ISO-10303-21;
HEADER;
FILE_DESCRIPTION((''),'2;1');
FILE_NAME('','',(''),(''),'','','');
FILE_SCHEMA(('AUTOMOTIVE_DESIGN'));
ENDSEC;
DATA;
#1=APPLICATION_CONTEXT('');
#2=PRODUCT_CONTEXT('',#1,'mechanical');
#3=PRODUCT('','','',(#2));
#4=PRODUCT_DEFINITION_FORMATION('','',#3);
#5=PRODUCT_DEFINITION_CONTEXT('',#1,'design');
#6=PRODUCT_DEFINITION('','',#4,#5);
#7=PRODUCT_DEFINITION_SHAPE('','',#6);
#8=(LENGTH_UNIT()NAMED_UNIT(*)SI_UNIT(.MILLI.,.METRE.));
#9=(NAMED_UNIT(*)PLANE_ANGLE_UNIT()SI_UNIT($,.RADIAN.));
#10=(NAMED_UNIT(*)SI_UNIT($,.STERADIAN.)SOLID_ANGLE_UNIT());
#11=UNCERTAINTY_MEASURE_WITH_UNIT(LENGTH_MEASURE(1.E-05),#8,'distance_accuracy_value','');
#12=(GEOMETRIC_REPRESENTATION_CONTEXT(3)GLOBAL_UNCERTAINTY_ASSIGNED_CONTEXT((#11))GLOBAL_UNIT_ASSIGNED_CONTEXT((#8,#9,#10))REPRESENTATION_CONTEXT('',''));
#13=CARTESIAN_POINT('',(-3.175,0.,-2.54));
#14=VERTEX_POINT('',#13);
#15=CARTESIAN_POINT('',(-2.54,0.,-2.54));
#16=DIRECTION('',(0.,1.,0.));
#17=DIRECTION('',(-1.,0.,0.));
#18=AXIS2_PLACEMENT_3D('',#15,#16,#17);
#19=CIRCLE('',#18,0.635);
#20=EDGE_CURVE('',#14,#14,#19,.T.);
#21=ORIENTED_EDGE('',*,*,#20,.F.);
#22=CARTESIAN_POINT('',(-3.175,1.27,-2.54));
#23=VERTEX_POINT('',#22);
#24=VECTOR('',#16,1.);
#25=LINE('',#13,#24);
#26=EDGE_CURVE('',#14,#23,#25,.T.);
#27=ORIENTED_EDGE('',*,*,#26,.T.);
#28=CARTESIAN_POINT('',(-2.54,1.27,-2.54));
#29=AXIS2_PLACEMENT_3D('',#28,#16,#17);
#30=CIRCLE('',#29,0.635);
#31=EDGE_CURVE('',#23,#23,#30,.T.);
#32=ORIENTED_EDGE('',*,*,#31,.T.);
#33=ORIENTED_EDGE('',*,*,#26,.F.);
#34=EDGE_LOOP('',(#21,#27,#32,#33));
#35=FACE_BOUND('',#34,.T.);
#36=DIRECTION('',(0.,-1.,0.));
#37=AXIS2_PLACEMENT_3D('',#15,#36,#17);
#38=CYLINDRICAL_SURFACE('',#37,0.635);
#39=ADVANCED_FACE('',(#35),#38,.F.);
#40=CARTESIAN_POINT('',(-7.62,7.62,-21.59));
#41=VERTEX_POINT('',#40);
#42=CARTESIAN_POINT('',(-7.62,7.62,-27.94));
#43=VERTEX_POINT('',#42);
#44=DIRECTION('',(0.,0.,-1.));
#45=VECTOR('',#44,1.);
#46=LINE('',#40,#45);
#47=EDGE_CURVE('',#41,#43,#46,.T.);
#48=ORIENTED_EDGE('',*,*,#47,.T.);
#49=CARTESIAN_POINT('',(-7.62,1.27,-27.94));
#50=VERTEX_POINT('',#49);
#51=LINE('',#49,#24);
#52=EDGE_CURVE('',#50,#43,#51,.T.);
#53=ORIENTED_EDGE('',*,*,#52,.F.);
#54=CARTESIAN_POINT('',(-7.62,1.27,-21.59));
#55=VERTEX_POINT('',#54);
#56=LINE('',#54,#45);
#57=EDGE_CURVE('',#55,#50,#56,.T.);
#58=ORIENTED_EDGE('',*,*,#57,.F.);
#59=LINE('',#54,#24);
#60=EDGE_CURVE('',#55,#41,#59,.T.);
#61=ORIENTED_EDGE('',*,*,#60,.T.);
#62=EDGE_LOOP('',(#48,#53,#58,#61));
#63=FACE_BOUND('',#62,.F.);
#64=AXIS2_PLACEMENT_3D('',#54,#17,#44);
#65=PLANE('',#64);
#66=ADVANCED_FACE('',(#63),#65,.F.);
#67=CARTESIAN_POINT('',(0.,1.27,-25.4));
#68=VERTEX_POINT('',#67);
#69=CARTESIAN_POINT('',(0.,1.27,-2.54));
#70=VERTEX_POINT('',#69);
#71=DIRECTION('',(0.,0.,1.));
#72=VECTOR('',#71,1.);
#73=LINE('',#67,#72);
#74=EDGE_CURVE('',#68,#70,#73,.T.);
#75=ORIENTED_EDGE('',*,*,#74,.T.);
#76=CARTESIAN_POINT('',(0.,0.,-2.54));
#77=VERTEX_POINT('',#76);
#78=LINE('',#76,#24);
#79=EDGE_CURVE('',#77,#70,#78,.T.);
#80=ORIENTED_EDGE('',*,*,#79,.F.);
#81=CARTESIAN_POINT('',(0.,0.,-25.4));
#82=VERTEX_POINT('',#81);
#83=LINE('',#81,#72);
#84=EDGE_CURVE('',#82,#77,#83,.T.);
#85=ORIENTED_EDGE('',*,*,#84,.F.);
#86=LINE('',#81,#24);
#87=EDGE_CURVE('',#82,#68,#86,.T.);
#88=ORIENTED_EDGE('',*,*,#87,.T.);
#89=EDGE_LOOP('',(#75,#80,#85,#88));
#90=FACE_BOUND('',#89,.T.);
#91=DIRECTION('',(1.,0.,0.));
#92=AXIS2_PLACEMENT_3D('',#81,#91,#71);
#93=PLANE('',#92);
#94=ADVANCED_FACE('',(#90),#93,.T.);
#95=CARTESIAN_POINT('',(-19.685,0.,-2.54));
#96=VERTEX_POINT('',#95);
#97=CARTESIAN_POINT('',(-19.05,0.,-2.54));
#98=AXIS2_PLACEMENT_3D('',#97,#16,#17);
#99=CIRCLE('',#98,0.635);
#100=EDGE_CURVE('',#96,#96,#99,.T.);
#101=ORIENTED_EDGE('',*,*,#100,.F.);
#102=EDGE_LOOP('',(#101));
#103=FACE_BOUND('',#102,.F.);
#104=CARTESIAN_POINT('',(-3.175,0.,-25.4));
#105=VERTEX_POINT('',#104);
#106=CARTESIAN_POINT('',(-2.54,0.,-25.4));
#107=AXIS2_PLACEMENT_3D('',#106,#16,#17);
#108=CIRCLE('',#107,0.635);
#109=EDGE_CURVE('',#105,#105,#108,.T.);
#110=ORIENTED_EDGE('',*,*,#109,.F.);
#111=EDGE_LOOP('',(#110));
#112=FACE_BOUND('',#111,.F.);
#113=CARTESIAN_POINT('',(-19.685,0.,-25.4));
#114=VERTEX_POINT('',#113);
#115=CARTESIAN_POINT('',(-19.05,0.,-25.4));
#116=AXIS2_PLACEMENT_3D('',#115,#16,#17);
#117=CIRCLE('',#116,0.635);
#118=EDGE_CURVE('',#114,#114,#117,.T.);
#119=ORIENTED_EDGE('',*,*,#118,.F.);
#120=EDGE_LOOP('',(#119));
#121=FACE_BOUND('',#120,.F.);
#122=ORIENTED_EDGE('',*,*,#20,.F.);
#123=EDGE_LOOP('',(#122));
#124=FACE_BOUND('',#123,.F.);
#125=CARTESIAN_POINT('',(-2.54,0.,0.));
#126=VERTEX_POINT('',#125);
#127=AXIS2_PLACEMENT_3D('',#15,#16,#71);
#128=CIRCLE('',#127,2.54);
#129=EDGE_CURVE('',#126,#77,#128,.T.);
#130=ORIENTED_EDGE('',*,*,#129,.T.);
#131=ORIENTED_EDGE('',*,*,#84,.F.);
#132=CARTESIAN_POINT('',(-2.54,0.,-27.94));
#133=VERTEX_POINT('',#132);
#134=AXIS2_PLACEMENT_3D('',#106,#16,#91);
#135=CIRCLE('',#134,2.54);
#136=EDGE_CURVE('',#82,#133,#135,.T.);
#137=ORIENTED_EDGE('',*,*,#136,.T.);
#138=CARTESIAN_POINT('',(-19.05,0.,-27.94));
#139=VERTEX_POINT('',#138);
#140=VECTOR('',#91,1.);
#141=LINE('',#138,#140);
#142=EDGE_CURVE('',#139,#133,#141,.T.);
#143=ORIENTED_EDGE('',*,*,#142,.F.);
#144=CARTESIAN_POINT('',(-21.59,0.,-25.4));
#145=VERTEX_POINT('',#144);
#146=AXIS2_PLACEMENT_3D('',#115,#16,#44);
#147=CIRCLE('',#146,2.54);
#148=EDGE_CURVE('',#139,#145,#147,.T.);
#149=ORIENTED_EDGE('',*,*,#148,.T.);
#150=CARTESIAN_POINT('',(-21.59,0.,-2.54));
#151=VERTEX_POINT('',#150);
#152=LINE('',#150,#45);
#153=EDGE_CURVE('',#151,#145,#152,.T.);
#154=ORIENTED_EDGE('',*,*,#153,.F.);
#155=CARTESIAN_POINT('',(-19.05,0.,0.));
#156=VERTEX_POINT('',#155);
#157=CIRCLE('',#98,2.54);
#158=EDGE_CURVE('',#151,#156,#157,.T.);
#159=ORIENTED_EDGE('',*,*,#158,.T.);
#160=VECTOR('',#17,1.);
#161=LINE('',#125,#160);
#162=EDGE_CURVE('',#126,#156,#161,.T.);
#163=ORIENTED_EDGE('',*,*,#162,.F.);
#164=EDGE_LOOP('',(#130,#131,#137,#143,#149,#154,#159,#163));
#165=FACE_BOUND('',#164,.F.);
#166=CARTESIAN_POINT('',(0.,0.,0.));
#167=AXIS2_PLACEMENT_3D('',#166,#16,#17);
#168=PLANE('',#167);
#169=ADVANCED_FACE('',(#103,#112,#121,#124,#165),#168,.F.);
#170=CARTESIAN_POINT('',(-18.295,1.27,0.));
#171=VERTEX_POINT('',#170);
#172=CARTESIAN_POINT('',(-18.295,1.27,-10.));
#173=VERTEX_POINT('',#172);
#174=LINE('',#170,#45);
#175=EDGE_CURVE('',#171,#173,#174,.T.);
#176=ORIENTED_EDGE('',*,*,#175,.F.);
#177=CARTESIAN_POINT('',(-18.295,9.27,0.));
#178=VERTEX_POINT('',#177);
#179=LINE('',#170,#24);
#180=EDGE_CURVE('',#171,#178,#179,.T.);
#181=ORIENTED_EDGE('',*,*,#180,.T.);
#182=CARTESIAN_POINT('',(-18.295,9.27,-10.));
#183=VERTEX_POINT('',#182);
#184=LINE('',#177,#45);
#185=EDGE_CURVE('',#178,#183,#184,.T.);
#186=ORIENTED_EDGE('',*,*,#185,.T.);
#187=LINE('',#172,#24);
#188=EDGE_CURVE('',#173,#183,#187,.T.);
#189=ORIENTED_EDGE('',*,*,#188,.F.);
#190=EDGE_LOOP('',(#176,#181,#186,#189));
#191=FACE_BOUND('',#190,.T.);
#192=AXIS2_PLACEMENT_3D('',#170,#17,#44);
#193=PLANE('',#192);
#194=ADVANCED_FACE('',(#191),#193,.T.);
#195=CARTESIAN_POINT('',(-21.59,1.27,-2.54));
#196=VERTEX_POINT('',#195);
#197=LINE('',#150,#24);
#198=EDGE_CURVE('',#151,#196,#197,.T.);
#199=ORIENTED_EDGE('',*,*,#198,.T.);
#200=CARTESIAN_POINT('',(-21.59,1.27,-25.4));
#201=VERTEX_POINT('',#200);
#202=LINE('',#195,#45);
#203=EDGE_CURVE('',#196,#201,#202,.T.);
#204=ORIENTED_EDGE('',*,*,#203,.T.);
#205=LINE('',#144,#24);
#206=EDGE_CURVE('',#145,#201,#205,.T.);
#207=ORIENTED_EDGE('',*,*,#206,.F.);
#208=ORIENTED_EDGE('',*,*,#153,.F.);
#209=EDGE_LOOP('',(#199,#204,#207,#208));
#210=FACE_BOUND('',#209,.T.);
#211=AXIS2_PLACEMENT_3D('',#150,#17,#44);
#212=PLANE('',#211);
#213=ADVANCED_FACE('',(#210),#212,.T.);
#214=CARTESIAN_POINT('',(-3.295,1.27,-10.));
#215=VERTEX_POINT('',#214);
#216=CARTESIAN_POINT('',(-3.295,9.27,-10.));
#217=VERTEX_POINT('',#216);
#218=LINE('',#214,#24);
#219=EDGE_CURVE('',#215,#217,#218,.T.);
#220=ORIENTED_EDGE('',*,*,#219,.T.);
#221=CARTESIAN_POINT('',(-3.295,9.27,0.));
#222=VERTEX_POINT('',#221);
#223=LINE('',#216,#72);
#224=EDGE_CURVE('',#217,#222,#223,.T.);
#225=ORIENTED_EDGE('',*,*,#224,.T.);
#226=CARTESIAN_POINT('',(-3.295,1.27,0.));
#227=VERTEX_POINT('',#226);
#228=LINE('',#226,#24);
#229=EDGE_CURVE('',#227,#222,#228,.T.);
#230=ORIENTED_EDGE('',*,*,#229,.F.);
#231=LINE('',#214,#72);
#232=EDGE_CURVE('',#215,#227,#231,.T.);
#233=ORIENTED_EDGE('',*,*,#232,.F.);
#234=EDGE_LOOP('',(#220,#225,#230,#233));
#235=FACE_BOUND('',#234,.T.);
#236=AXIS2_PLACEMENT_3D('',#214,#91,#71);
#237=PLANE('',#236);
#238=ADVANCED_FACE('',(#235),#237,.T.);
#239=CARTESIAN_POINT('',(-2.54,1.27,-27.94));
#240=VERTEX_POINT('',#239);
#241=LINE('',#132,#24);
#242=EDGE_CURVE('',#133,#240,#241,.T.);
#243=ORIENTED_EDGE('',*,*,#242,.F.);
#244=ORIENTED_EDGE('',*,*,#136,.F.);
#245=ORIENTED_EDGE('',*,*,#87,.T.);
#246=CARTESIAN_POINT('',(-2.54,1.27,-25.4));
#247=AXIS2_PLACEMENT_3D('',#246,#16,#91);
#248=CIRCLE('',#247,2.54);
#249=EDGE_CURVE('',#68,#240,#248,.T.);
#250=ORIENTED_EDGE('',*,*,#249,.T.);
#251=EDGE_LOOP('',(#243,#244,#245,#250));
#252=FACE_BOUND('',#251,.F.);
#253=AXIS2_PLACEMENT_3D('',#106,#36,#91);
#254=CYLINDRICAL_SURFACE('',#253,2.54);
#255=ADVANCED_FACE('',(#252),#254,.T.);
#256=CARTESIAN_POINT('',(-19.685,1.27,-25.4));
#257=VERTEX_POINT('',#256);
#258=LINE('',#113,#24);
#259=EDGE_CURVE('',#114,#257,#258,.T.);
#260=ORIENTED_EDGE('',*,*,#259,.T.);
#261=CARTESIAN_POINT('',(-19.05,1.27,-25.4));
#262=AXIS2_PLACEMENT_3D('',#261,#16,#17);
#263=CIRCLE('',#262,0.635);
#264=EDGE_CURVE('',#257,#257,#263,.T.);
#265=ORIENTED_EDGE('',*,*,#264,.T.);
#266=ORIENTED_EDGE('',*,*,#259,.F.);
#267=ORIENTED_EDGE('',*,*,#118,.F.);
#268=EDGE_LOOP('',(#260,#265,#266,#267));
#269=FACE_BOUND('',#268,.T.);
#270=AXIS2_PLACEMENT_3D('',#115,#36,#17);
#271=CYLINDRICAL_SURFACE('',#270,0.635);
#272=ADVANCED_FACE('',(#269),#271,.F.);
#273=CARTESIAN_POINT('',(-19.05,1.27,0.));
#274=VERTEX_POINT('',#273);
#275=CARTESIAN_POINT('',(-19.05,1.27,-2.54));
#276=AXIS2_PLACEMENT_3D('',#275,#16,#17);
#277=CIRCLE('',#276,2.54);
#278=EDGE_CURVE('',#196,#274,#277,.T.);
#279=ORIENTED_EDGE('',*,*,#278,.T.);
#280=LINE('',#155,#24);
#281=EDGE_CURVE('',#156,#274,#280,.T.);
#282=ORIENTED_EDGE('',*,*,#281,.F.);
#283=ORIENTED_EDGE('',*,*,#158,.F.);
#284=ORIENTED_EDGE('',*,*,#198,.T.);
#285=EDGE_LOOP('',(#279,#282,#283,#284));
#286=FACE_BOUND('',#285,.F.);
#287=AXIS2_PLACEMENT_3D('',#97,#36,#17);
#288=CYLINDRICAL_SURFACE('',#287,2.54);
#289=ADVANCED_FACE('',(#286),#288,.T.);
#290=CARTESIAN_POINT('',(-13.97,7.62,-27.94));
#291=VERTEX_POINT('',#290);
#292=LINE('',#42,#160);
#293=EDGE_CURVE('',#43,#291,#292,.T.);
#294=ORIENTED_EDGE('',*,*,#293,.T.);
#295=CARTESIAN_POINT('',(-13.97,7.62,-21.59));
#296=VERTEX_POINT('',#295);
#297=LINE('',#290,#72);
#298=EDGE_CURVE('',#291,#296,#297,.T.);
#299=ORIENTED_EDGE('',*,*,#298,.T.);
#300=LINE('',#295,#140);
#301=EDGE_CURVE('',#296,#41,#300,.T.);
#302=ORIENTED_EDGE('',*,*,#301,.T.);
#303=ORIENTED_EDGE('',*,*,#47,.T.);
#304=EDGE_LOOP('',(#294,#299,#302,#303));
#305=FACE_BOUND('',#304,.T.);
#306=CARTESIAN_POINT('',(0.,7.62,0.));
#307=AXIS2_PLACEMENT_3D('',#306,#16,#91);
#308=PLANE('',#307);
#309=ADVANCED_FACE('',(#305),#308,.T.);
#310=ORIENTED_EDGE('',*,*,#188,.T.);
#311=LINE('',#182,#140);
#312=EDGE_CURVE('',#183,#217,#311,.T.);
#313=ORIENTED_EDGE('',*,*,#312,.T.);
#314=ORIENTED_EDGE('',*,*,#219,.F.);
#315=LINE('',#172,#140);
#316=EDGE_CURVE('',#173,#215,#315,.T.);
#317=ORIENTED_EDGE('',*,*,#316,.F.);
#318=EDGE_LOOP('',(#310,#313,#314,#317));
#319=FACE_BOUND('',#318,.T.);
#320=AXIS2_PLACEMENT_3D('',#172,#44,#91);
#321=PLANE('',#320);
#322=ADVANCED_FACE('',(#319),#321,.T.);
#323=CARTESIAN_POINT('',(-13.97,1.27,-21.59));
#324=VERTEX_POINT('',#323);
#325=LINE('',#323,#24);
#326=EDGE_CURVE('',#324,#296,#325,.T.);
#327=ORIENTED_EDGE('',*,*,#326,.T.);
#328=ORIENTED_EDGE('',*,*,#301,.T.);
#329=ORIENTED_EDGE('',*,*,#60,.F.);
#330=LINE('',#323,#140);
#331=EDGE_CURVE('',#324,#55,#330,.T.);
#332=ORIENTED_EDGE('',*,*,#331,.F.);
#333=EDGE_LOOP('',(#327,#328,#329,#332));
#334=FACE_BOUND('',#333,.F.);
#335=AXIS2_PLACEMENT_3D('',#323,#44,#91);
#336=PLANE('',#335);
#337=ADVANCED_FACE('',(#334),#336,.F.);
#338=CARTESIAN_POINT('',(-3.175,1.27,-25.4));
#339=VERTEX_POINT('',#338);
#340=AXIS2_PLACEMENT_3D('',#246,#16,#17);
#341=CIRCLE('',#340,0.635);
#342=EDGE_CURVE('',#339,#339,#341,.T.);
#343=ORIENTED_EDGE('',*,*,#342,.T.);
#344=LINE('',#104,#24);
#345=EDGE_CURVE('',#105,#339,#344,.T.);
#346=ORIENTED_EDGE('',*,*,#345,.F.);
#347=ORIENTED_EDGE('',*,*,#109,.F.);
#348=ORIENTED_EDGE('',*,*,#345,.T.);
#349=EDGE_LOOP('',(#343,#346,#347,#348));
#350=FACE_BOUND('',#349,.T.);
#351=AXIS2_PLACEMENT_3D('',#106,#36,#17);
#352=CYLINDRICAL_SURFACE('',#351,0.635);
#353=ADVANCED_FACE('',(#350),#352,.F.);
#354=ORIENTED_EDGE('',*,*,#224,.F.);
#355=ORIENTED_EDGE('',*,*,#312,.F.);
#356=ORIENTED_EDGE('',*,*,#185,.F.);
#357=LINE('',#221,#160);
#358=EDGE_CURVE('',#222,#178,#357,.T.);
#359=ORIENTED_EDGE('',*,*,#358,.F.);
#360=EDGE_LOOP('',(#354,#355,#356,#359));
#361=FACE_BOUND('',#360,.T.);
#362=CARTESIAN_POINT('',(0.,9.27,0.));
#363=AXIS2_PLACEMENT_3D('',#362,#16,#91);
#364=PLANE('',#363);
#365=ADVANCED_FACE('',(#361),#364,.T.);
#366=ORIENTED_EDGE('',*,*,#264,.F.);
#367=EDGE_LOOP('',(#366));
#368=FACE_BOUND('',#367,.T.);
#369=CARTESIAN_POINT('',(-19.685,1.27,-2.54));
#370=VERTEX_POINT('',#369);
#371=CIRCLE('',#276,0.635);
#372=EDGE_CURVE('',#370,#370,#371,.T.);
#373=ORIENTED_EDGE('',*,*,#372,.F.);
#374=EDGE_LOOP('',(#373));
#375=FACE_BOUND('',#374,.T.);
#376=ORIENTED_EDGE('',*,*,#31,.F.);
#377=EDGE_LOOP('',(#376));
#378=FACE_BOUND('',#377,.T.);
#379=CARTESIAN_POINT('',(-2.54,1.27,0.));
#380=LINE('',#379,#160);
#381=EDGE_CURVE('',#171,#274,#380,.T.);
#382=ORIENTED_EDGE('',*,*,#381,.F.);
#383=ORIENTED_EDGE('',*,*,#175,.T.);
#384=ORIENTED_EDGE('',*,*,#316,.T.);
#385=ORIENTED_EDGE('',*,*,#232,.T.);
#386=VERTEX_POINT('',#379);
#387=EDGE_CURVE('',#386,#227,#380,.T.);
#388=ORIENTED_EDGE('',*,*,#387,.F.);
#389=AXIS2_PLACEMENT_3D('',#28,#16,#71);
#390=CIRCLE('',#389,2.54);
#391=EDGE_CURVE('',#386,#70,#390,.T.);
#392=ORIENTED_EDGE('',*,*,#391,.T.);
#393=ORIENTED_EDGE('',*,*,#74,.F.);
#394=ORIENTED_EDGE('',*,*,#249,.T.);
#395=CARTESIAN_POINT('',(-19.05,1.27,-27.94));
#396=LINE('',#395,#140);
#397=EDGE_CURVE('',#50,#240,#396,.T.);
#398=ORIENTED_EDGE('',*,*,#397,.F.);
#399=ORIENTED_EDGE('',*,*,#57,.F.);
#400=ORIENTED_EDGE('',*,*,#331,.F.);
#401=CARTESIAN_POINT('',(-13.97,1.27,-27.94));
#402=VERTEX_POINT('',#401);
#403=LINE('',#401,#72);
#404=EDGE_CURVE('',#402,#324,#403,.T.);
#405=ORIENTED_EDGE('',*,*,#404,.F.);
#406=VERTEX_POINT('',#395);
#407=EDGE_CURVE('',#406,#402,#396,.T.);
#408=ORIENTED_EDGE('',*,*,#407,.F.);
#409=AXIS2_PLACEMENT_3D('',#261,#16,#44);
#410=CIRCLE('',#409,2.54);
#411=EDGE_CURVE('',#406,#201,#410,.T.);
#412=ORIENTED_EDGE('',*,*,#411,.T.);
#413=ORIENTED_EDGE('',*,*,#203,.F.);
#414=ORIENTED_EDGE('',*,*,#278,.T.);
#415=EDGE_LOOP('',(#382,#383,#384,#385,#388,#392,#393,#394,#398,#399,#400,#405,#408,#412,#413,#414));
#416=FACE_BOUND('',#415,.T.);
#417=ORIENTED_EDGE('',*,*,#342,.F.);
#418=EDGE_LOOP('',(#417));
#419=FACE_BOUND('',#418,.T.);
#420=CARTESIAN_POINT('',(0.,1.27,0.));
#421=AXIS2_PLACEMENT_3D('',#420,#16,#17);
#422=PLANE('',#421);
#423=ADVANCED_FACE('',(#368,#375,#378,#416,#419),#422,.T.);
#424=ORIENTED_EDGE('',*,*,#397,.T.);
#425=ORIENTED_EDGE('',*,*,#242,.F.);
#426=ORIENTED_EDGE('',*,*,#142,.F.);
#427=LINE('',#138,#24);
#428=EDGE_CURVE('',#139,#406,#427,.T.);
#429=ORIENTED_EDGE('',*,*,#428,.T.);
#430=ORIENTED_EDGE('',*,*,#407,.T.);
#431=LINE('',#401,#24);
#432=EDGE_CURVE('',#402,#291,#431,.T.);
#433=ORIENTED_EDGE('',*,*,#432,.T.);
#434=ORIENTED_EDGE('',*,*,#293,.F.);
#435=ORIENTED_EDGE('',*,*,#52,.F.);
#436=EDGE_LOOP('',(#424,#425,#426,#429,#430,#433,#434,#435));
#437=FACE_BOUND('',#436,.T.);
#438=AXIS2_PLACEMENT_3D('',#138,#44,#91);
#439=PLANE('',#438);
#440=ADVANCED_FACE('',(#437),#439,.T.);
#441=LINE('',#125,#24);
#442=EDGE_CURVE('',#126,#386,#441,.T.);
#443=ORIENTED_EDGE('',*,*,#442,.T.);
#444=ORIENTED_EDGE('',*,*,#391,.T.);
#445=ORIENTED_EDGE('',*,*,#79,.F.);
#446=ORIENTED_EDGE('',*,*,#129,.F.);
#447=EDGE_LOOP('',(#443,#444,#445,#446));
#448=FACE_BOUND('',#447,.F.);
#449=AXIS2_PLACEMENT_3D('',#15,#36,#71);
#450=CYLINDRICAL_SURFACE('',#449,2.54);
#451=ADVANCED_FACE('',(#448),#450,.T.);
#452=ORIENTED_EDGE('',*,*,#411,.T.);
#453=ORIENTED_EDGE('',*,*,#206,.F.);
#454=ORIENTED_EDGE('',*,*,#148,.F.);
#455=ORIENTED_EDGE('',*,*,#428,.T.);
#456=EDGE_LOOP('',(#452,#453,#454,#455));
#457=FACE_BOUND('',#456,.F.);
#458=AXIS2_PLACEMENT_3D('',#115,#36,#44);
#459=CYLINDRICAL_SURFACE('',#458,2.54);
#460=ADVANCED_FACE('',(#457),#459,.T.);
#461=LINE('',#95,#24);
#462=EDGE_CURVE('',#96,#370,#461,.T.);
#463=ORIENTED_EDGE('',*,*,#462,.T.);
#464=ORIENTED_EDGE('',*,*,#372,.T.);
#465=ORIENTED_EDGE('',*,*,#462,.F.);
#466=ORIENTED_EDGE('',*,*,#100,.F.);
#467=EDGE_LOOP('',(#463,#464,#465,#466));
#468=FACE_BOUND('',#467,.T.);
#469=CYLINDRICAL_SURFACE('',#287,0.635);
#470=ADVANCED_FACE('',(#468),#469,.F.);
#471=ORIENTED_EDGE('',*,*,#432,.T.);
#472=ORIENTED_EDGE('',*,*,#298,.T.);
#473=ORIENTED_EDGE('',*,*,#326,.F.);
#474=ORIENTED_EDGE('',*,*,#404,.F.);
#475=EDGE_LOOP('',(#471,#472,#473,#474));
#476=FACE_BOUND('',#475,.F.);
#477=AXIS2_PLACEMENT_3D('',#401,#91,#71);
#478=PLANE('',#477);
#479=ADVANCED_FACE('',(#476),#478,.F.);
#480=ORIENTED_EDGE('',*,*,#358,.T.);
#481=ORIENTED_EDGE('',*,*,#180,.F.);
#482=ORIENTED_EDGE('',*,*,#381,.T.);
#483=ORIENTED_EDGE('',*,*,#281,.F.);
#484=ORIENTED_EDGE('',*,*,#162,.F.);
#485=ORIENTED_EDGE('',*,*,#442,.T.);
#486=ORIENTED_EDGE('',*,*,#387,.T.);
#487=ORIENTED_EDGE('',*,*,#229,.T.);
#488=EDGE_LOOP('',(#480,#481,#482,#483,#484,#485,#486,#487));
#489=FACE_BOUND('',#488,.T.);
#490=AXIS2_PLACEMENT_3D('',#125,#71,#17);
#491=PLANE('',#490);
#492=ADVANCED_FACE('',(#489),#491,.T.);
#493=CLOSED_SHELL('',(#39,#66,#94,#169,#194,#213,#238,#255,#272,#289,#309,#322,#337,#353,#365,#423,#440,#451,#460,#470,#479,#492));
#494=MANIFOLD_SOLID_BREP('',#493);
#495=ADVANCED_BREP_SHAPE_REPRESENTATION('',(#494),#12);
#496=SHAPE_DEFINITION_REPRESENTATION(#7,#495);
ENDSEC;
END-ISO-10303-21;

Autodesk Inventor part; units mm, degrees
ref_plane "YZ Plane" through (0, 0, 0) normal (1, 0, 0) x (0, 1, 0)
ref_plane "XZ Plane" through (0, 0, 0) normal (0, 1, 0) x (-1, 0, 0)
ref_plane "XY Plane" through (0, 0, 0) normal (0, 0, 1) x (1, 0, 0)
sketch "Sketch1" plane through (0, 0, 0) normal (0, 1, 0) x (-1, 0, 0)
  line L0 (2.54, 0) -> (19.05, 0)
  line L1 (21.59, -2.54) -> (21.59, -25.4)
  line L2 (19.05, -27.94) -> (2.54, -27.94)
  line L3 (0, -25.4) -> (0, -2.54)
  arc A0 (21.59, -2.54) -> (19.05, 0) centre (19.05, -2.54) ccw
  arc A1 (2.54, 0) -> (0, -2.54) centre (2.54, -2.54) ccw
  arc A2 (0, -25.4) -> (2.54, -27.94) centre (2.54, -25.4) ccw
  arc A3 (19.05, -27.94) -> (21.59, -25.4) centre (19.05, -25.4) ccw
  circle A4 centre (19.05, -2.54) radius 0.635
  circle A5 centre (2.54, -2.54) radius 0.635
  circle A6 centre (2.54, -25.4) radius 0.635
  circle A7 centre (19.05, -25.4) radius 0.635
  point P0 (0, 0)
  point P1 (21.59, -27.94)
  point P2 (21.59, 0)
  point P3 (0, -27.94)
  dimension "d0" = 21.59
  dimension "d1" = 27.94
  dimension "d2" = 2.54
  dimension "d3" = 1.27
  dimension "d4" = 1.27
  dimension "d5" = 1.27
  dimension "d6" = 1.27
extrude "Extrusion1" add sketch "Sketch1" along normal blind 1.27
sketch "Sketch2" plane through (0, 1.27, 0) normal (0, 1, 0) x (1, 0, 0)
  line L0 (-19.05, 0) -> (-2.54, 0) construction
  line L1 (-10.795, 0) -> (-10.795, 27.94) construction
  line L2 (-2.54, 27.94) -> (-19.05, 27.94) construction
  line L3 (-13.97, 27.94) -> (-7.62, 27.94) construction
  line L4 (-7.62, 27.94) -> (-7.62, 21.59) construction
  line L5 (-7.62, 21.59) -> (-13.97, 21.59) construction
  line L6 (-13.97, 21.59) -> (-13.97, 27.94) construction
  line L7 (-13.97, 21.59) -> (-7.62, 21.59) construction
  line L8 (-7.62, 21.59) -> (-7.62, 27.94) construction
  line L9 (-7.62, 27.94) -> (-13.97, 27.94) construction
  line L10 (-13.97, 27.94) -> (-13.97, 21.59) construction
  line L11 (-13.97, 21.59) -> (-7.62, 21.59)
  line L12 (-7.62, 21.59) -> (-7.62, 27.94)
  line L13 (-7.62, 27.94) -> (-13.97, 27.94)
  line L14 (-13.97, 27.94) -> (-13.97, 21.59)
  point P0 (0, 0)
  dimension "d9" = 6.35
  dimension "d10" = 6.35
  dimension "d11" = 3.175
extrude "Extrusion2" add sketch "Sketch2" along normal blind 6.35
sketch "Sketch3" plane through (0, 1.27, 0) normal (0, 1, 0) x (1, 0, 0)
  line L0 (-18.295, 10) -> (-3.295, 10)
  line L1 (-3.295, 10) -> (-3.295, 0)
  line L2 (-3.295, 0) -> (-18.295, 0)
  line L3 (-18.295, 0) -> (-18.295, 10)
  line L4 (-7.62, 27.94) -> (-13.97, 27.94) construction
  line L5 (-10.795, 27.94) -> (-10.795, 0) construction
  line L6 (-2.54, 0) -> (-19.05, 0) construction
  line L7 (-10.795, 10) -> (-10.795, 0) construction
  line L8 (-19.05, 0) -> (-2.54, 0) construction
  point P0 (0, 0)
  dimension "d14" = 15
  dimension "d15" = 10
extrude "Extrusion3" add sketch "Sketch3" along normal blind 8
equation "\"d4\" = d3"
equation "\"d5\" = d3"
equation "\"d6\" = d3"
equation "\"d11\" = 0.5 * d10"
properties part number "Adafruit-PowerBoost500"
